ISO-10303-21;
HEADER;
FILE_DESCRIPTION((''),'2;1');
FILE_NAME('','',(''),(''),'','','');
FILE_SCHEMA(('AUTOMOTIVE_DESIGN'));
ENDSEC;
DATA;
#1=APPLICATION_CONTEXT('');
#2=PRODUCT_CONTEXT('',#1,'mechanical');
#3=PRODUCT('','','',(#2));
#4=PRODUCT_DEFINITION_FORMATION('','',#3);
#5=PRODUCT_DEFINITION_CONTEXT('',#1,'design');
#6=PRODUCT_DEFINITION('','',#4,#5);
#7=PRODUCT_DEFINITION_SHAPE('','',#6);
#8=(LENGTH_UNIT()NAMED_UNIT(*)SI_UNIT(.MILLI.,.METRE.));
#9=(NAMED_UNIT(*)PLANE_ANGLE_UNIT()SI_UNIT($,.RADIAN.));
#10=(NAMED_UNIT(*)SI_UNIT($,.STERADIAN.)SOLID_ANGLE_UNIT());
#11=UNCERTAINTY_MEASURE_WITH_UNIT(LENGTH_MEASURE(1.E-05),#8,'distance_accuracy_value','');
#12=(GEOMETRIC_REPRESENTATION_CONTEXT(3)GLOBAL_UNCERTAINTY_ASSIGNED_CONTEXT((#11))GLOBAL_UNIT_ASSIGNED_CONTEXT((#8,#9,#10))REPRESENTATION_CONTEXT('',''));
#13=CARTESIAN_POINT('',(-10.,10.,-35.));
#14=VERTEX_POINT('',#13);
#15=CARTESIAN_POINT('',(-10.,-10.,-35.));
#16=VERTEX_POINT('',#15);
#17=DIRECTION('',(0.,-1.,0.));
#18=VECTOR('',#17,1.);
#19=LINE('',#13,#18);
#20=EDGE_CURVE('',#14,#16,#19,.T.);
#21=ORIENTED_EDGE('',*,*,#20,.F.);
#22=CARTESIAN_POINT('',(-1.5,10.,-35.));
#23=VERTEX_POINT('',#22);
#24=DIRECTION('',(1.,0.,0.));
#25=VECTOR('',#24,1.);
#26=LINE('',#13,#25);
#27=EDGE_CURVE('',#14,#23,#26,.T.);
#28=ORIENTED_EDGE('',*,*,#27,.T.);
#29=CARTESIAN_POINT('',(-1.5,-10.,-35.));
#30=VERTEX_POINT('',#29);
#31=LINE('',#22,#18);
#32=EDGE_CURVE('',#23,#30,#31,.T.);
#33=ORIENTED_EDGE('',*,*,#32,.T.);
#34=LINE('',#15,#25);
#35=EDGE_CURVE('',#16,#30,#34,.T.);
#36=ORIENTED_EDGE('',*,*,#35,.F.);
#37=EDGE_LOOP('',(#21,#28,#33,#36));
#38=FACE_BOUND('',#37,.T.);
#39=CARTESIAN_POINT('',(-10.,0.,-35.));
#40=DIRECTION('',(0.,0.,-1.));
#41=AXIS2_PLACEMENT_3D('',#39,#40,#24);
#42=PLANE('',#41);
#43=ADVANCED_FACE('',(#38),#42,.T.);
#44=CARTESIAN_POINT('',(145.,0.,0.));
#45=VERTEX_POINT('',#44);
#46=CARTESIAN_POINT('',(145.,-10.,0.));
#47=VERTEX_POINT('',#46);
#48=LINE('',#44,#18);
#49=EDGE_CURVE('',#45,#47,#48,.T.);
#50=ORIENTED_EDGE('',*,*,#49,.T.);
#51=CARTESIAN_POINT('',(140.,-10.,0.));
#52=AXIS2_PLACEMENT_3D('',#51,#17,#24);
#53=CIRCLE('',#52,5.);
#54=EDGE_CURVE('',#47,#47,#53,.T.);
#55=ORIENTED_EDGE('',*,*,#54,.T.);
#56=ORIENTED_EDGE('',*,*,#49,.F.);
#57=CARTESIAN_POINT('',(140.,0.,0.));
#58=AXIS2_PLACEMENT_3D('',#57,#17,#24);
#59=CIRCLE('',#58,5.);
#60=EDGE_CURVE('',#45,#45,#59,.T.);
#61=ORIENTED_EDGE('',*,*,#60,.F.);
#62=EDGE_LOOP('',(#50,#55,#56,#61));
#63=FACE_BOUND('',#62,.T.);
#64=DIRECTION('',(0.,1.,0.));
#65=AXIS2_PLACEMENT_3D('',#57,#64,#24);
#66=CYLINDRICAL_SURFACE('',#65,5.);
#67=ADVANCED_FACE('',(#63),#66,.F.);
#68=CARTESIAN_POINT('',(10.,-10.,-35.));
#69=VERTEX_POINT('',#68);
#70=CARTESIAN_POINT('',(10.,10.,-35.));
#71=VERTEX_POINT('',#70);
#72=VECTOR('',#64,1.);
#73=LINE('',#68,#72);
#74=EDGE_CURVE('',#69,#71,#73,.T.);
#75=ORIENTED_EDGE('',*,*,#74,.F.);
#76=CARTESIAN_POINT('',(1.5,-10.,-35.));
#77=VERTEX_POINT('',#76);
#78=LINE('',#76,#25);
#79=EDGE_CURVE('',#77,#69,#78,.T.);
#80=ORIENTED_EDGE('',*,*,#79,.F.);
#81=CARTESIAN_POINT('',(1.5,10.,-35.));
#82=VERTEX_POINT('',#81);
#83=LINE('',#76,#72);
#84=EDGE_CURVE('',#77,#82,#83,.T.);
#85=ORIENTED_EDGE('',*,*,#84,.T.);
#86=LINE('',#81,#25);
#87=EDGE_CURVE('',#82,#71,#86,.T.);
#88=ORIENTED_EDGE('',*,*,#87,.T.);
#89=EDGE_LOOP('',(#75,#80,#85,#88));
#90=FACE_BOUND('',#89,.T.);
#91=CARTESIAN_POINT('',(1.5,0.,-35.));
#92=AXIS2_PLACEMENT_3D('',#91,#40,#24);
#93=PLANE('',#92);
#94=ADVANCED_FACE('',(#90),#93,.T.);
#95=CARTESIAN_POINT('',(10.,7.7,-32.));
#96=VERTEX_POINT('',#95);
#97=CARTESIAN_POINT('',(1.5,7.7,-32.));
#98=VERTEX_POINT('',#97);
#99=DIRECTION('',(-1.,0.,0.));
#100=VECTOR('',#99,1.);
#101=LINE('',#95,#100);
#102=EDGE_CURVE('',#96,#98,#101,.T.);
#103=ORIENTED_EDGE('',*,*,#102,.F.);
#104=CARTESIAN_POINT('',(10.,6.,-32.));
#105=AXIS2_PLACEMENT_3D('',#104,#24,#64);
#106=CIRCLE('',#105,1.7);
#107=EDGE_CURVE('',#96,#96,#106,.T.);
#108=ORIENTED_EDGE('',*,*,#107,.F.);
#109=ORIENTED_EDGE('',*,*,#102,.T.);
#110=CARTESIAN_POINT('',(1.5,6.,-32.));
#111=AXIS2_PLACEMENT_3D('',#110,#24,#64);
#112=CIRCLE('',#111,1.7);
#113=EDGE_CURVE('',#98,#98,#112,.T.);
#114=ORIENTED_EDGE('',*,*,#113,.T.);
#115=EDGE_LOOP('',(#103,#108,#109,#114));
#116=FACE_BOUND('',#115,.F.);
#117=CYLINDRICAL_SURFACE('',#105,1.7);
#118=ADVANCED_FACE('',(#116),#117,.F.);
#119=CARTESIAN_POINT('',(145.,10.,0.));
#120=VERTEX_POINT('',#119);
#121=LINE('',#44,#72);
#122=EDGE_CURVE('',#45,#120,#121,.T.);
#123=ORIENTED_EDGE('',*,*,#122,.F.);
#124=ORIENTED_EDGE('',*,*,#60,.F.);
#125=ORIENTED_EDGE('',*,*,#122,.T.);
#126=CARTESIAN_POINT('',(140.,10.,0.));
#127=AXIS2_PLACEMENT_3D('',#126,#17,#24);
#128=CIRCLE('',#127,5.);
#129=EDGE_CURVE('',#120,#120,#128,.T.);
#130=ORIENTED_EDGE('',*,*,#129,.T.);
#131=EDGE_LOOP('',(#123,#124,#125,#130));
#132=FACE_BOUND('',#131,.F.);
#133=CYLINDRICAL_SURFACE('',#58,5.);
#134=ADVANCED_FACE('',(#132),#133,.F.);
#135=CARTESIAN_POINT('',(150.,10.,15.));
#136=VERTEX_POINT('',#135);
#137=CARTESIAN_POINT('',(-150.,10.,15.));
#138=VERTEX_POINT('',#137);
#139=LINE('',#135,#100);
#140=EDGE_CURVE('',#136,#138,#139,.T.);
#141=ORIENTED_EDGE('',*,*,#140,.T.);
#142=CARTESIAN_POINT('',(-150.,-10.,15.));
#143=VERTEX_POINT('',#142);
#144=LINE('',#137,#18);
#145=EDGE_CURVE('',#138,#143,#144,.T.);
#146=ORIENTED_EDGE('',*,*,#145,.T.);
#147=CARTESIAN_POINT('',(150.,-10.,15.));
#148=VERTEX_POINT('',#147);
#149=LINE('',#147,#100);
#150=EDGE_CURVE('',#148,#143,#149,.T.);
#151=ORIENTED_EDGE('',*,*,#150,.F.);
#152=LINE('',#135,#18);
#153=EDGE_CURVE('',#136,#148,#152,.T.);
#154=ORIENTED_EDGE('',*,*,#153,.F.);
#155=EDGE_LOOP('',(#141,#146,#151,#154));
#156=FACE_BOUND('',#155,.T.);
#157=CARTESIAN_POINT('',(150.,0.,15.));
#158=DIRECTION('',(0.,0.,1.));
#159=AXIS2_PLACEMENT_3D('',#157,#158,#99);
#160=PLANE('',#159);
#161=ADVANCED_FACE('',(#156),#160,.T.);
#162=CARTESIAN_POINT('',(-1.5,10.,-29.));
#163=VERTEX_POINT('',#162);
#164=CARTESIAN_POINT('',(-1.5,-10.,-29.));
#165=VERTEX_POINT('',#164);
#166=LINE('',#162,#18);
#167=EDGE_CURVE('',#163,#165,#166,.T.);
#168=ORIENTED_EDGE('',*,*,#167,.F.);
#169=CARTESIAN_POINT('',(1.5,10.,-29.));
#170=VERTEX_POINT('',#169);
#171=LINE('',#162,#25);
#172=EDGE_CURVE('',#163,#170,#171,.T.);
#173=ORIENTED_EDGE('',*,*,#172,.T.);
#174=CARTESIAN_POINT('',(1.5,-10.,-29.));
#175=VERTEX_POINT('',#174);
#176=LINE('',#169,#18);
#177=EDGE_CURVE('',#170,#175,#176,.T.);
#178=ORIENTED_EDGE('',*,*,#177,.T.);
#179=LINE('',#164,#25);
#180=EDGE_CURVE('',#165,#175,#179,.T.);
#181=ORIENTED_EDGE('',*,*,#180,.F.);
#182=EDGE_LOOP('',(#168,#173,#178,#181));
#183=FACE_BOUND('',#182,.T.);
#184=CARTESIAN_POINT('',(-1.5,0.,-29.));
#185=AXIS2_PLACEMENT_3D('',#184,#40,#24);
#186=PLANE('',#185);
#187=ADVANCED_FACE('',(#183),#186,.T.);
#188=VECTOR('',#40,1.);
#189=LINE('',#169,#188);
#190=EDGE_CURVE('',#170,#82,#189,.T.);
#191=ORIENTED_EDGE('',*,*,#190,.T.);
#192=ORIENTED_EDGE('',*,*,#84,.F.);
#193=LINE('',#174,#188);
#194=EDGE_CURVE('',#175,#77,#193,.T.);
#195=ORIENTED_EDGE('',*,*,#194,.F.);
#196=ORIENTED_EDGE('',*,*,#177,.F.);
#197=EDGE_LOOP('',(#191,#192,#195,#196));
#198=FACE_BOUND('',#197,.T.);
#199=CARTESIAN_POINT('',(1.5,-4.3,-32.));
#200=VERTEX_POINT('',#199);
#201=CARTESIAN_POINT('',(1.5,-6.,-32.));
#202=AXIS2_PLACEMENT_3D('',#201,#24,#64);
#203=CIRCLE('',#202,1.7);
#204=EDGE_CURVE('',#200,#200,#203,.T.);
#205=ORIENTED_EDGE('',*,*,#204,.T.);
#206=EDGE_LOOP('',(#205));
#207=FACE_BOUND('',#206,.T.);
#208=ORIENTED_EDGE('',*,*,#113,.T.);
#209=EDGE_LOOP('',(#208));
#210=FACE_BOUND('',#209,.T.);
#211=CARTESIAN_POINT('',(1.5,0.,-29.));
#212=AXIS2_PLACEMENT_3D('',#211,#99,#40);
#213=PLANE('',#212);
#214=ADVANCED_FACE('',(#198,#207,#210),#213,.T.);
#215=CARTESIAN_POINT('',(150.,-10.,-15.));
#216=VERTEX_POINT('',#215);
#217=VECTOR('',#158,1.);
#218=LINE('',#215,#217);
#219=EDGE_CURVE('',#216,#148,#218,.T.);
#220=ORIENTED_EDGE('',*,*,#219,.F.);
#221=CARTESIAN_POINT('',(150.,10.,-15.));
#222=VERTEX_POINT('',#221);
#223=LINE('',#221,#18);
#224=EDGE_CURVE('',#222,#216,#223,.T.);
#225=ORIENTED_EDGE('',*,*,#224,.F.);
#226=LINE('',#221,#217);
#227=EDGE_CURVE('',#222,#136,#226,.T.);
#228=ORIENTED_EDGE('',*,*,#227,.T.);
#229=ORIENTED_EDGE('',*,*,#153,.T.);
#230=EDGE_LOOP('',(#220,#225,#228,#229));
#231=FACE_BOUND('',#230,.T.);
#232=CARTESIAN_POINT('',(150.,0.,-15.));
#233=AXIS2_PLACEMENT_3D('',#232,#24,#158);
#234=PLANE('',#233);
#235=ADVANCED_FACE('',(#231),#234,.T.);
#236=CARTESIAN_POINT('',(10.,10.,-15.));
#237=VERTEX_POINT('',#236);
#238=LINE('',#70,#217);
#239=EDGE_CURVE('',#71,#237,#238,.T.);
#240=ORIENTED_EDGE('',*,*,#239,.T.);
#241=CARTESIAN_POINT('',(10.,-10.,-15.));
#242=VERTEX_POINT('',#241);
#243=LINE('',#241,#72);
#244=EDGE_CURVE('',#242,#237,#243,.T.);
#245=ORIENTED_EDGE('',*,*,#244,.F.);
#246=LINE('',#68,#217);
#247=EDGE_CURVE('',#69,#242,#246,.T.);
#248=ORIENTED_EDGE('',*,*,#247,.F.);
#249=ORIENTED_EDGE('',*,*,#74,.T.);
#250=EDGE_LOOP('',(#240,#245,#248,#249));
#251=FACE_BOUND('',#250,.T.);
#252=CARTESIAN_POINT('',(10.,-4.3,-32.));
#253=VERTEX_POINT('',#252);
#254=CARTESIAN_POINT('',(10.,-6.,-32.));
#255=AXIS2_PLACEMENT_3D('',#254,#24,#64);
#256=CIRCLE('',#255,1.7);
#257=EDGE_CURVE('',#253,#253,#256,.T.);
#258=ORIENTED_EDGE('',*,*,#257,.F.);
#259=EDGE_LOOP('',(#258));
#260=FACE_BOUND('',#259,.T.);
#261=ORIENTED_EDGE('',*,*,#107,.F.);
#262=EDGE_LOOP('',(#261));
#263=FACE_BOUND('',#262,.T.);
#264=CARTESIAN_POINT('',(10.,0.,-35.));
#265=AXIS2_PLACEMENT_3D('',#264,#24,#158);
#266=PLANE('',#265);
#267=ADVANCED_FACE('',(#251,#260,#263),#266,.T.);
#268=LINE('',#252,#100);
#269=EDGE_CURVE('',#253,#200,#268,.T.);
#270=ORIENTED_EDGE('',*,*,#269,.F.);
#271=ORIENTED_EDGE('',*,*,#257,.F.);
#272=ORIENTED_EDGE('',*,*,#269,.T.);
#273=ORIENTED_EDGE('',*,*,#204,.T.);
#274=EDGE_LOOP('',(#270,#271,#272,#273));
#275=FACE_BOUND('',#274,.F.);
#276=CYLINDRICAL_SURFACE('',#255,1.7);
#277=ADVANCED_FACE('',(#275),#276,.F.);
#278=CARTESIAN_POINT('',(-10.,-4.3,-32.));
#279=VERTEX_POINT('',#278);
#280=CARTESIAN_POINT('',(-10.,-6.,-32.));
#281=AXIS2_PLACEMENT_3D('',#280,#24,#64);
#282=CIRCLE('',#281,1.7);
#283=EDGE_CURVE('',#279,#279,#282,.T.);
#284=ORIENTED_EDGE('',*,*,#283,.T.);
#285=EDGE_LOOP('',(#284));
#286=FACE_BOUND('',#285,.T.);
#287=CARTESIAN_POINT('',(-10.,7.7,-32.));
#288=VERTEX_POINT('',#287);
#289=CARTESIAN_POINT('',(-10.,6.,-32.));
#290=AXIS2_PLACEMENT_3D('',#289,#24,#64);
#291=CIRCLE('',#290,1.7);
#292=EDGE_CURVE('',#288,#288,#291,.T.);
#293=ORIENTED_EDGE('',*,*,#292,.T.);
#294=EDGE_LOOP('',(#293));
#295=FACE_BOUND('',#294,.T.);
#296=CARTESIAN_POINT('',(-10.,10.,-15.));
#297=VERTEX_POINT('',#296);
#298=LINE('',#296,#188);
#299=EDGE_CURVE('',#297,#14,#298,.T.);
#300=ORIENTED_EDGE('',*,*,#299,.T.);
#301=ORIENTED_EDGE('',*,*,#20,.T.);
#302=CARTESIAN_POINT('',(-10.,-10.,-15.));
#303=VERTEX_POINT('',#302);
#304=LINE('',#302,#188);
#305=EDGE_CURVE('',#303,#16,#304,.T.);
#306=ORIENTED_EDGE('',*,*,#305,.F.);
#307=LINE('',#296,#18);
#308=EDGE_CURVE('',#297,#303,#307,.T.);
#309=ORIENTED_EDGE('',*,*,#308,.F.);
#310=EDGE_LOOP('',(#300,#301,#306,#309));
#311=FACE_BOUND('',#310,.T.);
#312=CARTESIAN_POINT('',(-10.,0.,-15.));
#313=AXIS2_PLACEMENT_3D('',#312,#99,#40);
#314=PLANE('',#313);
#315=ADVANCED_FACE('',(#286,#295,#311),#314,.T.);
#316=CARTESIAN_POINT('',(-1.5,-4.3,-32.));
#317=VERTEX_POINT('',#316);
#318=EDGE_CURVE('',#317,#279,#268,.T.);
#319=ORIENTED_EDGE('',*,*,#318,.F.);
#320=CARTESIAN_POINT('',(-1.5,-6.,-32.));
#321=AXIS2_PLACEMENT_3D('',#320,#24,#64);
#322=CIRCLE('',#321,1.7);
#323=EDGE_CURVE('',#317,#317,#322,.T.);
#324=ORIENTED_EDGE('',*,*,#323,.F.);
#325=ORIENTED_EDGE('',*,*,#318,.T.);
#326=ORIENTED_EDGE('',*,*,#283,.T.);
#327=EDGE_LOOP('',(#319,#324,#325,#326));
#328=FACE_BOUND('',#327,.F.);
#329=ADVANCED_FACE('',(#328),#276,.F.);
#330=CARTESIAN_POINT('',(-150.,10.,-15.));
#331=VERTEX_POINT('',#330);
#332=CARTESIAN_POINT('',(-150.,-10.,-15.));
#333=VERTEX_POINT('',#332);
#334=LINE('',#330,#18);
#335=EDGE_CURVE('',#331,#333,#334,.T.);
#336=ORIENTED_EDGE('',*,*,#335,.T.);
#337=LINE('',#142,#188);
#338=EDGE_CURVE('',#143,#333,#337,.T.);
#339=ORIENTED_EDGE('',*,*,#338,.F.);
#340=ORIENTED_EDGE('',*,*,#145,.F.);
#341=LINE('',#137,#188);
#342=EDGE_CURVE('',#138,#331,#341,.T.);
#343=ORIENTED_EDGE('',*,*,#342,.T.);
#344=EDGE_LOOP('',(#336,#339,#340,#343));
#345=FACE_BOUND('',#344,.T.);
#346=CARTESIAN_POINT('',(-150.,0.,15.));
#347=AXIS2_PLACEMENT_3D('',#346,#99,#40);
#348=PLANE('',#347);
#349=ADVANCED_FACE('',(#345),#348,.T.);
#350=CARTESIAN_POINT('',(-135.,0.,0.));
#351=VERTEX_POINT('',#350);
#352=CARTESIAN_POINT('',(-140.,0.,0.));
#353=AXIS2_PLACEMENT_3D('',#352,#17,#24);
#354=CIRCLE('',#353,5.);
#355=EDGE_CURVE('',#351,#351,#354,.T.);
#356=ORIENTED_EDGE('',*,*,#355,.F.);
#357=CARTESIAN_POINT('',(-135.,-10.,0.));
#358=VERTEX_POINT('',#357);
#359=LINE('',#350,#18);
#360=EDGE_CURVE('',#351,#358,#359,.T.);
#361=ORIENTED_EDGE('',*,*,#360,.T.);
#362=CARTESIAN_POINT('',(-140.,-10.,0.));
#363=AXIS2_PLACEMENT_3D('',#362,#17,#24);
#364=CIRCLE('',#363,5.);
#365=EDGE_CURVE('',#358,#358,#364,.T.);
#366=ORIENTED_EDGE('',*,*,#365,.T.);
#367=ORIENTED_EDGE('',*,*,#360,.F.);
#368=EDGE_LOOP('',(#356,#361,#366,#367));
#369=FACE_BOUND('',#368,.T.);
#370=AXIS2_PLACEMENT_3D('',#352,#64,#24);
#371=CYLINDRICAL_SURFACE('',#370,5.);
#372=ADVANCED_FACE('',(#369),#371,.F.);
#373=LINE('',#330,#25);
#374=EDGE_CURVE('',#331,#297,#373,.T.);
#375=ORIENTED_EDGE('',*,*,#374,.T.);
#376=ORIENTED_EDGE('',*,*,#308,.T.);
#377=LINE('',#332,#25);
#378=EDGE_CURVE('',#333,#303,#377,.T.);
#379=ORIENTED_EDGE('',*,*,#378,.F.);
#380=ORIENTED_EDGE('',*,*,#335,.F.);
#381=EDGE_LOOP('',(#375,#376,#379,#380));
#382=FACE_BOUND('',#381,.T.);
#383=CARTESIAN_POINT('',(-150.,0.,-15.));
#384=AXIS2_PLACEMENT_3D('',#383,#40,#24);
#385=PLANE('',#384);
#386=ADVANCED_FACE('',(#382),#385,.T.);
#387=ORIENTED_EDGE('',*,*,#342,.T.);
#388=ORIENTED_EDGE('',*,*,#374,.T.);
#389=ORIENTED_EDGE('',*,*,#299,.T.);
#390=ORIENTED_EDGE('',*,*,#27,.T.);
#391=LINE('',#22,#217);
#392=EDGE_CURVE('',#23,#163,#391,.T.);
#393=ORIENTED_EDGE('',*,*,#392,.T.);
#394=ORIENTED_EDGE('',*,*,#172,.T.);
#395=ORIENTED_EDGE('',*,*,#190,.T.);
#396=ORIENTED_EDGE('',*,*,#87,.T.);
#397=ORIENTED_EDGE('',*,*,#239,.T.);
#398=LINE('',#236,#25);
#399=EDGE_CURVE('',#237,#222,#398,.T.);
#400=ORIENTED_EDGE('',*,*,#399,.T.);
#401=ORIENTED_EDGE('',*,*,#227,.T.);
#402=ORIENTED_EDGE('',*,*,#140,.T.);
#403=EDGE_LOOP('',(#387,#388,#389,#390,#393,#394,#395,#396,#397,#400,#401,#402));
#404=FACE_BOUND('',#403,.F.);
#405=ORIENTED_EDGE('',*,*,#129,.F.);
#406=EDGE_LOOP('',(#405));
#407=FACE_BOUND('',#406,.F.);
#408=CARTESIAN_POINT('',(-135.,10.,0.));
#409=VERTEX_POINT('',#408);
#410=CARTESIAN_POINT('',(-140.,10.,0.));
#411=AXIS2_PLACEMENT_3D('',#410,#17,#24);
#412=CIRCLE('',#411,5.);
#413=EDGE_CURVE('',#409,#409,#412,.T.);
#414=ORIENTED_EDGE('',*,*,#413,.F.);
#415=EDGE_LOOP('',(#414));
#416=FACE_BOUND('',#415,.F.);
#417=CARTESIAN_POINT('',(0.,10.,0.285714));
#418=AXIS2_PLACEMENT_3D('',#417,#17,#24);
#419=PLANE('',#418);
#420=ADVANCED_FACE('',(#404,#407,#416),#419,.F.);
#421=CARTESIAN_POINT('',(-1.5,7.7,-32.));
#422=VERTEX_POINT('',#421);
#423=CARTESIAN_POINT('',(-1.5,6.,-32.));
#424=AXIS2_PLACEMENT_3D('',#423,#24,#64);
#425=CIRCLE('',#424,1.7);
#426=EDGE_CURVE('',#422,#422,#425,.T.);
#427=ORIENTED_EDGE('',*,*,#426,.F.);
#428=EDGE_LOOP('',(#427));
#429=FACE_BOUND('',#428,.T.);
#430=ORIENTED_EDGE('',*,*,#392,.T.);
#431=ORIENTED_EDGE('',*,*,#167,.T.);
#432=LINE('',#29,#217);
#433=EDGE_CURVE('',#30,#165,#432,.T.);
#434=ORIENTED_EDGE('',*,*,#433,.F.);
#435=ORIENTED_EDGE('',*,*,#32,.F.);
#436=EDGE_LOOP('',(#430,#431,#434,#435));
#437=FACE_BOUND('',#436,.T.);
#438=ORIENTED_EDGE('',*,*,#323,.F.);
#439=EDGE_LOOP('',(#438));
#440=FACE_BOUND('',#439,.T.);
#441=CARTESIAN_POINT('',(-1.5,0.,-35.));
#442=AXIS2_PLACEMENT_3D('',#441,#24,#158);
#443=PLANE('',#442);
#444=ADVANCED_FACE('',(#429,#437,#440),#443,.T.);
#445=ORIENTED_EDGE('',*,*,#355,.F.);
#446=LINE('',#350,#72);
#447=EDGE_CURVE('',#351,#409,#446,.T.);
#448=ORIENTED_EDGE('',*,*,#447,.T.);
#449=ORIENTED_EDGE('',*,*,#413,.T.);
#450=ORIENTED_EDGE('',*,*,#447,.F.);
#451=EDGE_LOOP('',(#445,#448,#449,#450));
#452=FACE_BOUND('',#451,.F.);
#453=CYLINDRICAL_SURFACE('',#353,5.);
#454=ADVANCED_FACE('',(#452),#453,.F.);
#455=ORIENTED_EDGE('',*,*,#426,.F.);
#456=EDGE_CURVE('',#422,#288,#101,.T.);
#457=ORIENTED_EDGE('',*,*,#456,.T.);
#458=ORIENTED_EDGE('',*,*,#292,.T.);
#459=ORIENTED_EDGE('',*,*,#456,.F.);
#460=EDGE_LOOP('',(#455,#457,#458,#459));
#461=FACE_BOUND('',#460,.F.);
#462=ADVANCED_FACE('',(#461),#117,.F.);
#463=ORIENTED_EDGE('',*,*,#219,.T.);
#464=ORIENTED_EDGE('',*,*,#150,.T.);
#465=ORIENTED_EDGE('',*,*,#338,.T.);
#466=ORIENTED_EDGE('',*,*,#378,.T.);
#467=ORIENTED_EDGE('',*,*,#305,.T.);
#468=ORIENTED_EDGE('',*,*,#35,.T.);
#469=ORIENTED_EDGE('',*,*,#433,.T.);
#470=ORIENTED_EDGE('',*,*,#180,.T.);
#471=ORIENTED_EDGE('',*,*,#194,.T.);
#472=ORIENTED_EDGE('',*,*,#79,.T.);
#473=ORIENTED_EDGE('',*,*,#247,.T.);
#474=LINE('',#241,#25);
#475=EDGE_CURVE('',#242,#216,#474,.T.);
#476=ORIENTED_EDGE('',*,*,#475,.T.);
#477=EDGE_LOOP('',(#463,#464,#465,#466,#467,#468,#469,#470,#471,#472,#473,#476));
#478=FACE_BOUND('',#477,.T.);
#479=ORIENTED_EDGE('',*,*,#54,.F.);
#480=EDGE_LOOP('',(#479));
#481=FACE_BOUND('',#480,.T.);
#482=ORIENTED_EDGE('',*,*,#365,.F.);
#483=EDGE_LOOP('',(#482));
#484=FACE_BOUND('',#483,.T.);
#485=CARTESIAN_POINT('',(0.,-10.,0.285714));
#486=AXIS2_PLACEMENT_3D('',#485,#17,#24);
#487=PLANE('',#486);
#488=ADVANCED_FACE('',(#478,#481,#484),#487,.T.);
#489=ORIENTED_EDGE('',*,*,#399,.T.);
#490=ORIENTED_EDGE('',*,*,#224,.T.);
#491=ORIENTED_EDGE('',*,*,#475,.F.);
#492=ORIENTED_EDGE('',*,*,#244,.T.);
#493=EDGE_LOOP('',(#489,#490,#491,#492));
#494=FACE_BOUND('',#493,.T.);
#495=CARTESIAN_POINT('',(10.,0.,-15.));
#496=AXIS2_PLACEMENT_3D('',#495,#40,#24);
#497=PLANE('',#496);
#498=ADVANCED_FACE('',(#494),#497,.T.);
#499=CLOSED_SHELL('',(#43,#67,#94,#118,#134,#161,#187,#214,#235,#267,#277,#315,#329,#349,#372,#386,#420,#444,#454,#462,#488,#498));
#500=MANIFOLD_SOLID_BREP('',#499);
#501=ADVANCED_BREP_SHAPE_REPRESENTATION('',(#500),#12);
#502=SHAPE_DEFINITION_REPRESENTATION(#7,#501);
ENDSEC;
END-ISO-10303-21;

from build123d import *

# Parameters (mm, degrees)
F0_R          = 5
F0_W          = 20
F0_H          = 20
F1_DEPTH      = 10
F1_DEPTH_BACK = 10
F2_R          = 1.7
F3_DEPTH      = 25


with BuildPart() as f1:
    # F0 (on Front) → F1 (new body, two sides)
    with BuildSketch(Plane.XZ) as f1_sk:
        Polygon((10, -15), (150, -15), (150, 15), (-150, 15), (-150, -15), (-10, -15), (-10, 5), (10, 5), align=None)
        with Locations((-140, 0)):
            Circle(F0_R, mode=Mode.SUBTRACT)
        with Locations((140, 0)):
            Circle(F0_R, mode=Mode.SUBTRACT)
        Polygon((10, -35), (10, -15), (-10, -15), (-10, -35), (-1.5, -35), (-1.5, -29), (1.5, -29), (1.5, -35), align=None)
        with Locations((0, -5)):
            Rectangle(F0_W, F0_H)
    extrude(amount=F1_DEPTH)
    extrude(f1_sk.sketch, amount=-F1_DEPTH_BACK)

    # F2 (on face) → F3 (cut)
    with BuildSketch(Plane.YZ.offset(10)):
        with Locations((-6, -32)):
            Circle(F2_R)
        with Locations((6, -32)):
            Circle(F2_R)
    extrude(amount=-F3_DEPTH, mode=Mode.SUBTRACT)


solid = f1.part
